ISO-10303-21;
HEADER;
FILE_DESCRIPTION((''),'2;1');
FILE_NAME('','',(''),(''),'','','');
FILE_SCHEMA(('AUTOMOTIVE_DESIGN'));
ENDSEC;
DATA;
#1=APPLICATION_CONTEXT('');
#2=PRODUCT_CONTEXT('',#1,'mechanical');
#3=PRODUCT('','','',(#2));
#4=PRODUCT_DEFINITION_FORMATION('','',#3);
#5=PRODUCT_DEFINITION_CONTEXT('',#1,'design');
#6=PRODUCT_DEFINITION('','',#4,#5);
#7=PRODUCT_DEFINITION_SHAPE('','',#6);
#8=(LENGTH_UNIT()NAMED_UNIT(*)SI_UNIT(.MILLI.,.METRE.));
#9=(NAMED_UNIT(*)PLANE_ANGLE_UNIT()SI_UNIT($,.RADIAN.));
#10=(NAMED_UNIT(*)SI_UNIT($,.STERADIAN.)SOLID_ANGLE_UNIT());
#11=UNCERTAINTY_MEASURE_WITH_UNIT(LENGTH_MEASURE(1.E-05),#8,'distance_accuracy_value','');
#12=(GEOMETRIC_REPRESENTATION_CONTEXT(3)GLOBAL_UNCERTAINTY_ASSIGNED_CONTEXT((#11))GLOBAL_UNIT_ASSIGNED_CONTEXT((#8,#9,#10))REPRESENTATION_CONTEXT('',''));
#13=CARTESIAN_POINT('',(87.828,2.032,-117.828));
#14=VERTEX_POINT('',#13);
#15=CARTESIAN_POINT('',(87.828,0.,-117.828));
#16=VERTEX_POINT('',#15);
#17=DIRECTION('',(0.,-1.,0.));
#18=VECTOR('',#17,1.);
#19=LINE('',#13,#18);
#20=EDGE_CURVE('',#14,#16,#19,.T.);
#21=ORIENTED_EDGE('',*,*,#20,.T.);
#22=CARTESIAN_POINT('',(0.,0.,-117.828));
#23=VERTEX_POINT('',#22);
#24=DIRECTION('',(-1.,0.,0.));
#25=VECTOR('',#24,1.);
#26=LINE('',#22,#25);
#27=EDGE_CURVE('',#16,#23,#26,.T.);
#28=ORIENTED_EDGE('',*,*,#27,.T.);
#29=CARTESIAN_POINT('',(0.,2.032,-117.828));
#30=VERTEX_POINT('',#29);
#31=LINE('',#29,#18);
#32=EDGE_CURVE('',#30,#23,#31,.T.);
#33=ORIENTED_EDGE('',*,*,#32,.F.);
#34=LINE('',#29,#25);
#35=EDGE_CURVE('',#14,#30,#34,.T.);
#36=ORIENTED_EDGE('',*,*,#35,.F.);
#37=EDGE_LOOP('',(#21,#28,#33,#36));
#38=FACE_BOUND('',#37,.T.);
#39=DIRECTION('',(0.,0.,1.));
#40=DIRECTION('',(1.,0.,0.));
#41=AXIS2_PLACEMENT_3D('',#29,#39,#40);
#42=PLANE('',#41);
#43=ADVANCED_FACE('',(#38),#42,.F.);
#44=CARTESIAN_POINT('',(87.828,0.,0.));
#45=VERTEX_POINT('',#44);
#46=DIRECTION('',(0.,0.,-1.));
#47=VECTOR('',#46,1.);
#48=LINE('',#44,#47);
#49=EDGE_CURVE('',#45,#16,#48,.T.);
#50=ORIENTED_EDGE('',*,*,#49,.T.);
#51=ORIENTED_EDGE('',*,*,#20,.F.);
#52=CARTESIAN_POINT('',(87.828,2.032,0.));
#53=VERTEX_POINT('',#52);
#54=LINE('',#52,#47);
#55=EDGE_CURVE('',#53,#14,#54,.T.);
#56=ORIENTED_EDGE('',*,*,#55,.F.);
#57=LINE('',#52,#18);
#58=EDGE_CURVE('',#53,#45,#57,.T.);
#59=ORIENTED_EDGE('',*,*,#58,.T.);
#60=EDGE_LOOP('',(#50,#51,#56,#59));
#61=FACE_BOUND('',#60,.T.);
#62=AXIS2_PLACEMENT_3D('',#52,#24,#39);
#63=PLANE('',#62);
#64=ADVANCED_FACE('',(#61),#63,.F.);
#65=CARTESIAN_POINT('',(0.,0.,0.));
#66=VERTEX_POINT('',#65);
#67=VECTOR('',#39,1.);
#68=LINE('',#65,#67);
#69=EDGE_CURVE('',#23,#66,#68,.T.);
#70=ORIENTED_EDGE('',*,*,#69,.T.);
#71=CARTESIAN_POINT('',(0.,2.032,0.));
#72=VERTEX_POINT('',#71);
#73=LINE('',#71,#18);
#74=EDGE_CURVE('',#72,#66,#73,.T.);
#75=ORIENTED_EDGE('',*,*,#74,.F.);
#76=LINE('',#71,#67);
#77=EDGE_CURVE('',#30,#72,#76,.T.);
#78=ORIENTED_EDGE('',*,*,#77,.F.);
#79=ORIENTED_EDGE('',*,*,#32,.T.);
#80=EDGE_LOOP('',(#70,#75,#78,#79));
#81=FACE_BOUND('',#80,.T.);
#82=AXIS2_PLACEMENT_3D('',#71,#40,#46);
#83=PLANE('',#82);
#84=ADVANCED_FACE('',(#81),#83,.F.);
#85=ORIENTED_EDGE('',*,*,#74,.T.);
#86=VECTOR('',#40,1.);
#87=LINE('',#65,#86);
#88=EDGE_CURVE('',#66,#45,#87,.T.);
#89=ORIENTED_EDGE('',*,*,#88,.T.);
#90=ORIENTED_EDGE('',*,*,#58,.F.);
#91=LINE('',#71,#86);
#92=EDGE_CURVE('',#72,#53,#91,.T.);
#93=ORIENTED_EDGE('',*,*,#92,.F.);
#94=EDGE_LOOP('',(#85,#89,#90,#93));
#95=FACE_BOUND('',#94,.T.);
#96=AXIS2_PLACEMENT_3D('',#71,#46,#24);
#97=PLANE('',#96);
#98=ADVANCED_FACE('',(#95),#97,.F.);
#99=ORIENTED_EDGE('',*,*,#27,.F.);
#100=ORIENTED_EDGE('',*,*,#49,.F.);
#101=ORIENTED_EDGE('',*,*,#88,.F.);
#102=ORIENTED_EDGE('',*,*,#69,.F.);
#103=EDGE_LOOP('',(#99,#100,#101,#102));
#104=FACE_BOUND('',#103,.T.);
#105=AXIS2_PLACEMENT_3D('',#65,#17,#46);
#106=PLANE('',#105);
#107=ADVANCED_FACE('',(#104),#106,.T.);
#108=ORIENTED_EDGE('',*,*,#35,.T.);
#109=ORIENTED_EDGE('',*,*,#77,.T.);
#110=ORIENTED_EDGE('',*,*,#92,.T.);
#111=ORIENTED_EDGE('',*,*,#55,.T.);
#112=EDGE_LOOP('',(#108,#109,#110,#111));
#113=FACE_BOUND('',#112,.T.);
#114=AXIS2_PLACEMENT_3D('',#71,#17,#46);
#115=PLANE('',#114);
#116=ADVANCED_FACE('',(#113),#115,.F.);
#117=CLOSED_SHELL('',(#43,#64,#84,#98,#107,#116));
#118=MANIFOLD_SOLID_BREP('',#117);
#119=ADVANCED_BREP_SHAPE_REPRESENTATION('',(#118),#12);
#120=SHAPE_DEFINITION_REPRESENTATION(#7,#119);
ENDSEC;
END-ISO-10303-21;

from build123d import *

# Parameters (mm, degrees)
SKETCH1_W           = 87.828
SKETCH1_H           = 117.828
BOSS_EXTRUDE1_DEPTH = 2.032


with BuildPart() as part:
    # Sketch1 → Boss-Extrude1 (new body)
    with BuildSketch(Plane(origin=(0, 0, 0), x_dir=(1, 0, 0), z_dir=(0, 1, 0))):
        with Locations((43.914, 58.914)):
            Rectangle(SKETCH1_W, SKETCH1_H)
    extrude(amount=BOSS_EXTRUDE1_DEPTH)


solid = part.part
